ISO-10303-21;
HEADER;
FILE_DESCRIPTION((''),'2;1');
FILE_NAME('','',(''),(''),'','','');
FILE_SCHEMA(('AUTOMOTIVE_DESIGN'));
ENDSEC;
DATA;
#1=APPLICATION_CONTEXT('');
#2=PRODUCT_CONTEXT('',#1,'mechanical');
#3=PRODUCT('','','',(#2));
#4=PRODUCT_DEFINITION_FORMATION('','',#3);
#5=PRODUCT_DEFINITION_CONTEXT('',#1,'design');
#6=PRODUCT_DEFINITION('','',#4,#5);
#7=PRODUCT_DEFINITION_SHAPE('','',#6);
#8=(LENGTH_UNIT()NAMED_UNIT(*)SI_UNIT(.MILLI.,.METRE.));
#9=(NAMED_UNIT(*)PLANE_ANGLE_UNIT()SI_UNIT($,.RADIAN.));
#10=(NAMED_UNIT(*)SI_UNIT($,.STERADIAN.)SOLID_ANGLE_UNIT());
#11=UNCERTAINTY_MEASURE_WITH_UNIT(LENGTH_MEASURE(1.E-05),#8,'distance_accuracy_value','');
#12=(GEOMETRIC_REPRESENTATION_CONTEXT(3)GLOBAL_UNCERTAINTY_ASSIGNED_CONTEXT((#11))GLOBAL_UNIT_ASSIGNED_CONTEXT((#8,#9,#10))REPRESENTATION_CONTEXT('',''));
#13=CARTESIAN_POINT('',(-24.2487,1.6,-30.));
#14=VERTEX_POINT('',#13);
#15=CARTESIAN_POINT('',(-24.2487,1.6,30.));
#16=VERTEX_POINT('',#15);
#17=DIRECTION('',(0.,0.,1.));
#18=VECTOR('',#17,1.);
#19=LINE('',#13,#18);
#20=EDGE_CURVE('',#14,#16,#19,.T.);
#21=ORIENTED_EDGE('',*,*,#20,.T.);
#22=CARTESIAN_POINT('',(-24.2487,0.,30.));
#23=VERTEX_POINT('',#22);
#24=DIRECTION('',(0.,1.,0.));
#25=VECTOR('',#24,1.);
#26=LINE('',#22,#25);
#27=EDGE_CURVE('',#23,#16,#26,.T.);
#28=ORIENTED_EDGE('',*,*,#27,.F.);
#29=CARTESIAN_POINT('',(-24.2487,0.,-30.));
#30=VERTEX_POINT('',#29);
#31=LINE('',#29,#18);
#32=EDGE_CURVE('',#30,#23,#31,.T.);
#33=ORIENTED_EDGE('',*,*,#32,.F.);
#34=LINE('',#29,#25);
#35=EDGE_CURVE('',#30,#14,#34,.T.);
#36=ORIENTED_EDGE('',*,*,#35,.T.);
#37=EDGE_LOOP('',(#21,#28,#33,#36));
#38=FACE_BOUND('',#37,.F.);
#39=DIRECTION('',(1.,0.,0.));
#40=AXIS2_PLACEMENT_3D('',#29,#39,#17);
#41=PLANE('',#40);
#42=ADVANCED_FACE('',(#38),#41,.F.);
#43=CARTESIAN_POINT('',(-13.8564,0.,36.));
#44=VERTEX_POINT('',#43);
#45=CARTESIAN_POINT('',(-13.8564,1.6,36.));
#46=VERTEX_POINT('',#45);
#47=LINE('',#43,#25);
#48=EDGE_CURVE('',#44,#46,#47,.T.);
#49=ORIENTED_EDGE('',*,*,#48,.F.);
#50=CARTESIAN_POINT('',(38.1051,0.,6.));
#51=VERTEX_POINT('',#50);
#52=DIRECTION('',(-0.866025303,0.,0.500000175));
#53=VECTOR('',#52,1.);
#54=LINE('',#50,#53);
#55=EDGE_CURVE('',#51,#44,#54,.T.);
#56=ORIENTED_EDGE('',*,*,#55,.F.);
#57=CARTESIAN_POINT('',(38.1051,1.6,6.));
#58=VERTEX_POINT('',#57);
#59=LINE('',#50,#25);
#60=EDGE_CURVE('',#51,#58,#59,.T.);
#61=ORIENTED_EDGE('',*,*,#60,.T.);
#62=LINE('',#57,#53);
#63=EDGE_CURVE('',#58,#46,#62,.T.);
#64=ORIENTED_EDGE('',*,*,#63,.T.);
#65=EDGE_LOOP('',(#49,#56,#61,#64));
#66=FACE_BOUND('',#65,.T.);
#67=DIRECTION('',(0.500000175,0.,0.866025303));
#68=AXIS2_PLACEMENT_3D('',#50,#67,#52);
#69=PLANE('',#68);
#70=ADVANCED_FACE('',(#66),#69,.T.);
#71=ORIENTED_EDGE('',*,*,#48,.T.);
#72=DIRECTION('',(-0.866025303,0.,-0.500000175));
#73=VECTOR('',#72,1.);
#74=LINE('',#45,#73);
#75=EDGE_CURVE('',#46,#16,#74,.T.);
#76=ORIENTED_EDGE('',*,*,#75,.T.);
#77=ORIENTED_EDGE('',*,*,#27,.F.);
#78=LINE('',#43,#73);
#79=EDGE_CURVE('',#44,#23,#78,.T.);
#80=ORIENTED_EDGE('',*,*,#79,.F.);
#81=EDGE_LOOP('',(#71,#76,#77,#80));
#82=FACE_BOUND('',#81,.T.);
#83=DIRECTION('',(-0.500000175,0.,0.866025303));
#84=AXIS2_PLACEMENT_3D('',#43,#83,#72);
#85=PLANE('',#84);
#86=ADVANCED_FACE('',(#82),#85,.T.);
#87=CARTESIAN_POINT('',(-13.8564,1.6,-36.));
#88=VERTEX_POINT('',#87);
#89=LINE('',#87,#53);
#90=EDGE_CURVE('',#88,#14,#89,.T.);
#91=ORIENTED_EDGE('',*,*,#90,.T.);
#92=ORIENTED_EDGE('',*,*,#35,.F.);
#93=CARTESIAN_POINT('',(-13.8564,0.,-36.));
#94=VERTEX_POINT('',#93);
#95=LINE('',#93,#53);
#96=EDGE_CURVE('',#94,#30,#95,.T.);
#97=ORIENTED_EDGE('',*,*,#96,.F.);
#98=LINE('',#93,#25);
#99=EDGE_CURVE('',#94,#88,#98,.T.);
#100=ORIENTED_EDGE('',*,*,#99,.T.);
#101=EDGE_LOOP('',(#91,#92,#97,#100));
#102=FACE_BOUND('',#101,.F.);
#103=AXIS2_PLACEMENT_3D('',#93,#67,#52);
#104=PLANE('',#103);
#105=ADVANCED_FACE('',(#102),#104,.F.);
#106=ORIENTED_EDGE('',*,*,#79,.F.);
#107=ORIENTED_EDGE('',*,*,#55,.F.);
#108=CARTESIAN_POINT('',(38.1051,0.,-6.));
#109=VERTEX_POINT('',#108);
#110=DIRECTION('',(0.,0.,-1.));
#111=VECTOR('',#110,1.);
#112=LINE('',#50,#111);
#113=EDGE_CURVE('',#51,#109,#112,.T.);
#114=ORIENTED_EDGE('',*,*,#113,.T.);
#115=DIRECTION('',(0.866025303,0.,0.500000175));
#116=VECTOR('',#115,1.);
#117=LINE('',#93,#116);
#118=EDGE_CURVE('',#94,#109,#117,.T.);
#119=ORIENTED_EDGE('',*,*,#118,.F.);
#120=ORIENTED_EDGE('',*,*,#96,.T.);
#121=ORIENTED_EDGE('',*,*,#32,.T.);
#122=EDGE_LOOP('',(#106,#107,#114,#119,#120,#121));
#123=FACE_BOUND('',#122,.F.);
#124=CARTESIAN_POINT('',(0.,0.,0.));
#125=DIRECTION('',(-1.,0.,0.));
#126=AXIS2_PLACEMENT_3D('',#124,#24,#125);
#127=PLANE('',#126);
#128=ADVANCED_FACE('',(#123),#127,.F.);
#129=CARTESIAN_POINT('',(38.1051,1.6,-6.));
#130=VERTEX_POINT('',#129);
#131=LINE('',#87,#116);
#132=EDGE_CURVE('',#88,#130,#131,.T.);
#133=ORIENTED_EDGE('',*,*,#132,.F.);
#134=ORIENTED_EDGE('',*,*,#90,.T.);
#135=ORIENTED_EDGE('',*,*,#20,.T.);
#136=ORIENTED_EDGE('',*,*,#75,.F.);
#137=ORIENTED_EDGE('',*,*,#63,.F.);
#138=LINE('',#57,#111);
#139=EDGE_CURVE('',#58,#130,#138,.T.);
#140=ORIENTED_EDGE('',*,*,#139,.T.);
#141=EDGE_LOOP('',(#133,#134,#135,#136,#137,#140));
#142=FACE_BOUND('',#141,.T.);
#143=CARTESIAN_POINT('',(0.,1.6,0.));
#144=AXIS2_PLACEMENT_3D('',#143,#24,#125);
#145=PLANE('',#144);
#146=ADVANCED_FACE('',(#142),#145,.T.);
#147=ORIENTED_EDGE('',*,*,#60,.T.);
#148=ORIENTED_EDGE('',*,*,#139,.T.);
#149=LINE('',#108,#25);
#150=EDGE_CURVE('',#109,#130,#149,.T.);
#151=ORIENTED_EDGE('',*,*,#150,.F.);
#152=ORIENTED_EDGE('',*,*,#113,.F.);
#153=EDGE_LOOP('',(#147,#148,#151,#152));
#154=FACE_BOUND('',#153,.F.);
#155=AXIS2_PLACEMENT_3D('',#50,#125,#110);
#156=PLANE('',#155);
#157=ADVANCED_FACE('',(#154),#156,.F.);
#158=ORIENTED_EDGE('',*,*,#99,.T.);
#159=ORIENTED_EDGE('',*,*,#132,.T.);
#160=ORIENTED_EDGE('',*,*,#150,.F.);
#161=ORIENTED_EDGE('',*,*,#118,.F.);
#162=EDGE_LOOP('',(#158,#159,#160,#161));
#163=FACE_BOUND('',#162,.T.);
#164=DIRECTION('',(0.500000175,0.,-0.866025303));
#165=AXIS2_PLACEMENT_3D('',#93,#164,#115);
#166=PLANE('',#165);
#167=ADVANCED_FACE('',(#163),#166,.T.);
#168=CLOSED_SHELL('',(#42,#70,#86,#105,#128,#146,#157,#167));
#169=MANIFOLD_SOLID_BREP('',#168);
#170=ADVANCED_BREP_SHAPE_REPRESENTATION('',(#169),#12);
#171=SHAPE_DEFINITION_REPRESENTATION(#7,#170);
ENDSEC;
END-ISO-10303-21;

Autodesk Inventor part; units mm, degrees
ref_plane "YZ Plane" through (0, 0, 0) normal (1, 0, 0) x (0, 1, 0)
ref_plane "XZ Plane" through (0, 0, 0) normal (0, 1, 0) x (-1, 0, 0)
ref_plane "XY Plane" through (0, 0, 0) normal (0, 0, 1) x (1, 0, 0)
sketch "Sketch2" plane through (0, 0, 0) normal (0, 1, 0) x (-1, 0, 0)
  line L0 (-38.1051, 6) -> (13.8564, 36)
  line L1 (-38.1051, 6) -> (-38.1051, -6)
  line L2 (13.8564, -36) -> (-38.1051, -6)
  line L3 (13.8564, -36) -> (24.2487, -30)
  line L4 (24.2487, -30) -> (24.2487, 30)
  line L5 (13.8564, 36) -> (24.2487, 30)
  point P0 (0, 0)
  point P1 (0, 0)
extrude "Extrusion1" add sketch "Sketch2" along normal blind 1.6
properties part number "PCB_Top"
